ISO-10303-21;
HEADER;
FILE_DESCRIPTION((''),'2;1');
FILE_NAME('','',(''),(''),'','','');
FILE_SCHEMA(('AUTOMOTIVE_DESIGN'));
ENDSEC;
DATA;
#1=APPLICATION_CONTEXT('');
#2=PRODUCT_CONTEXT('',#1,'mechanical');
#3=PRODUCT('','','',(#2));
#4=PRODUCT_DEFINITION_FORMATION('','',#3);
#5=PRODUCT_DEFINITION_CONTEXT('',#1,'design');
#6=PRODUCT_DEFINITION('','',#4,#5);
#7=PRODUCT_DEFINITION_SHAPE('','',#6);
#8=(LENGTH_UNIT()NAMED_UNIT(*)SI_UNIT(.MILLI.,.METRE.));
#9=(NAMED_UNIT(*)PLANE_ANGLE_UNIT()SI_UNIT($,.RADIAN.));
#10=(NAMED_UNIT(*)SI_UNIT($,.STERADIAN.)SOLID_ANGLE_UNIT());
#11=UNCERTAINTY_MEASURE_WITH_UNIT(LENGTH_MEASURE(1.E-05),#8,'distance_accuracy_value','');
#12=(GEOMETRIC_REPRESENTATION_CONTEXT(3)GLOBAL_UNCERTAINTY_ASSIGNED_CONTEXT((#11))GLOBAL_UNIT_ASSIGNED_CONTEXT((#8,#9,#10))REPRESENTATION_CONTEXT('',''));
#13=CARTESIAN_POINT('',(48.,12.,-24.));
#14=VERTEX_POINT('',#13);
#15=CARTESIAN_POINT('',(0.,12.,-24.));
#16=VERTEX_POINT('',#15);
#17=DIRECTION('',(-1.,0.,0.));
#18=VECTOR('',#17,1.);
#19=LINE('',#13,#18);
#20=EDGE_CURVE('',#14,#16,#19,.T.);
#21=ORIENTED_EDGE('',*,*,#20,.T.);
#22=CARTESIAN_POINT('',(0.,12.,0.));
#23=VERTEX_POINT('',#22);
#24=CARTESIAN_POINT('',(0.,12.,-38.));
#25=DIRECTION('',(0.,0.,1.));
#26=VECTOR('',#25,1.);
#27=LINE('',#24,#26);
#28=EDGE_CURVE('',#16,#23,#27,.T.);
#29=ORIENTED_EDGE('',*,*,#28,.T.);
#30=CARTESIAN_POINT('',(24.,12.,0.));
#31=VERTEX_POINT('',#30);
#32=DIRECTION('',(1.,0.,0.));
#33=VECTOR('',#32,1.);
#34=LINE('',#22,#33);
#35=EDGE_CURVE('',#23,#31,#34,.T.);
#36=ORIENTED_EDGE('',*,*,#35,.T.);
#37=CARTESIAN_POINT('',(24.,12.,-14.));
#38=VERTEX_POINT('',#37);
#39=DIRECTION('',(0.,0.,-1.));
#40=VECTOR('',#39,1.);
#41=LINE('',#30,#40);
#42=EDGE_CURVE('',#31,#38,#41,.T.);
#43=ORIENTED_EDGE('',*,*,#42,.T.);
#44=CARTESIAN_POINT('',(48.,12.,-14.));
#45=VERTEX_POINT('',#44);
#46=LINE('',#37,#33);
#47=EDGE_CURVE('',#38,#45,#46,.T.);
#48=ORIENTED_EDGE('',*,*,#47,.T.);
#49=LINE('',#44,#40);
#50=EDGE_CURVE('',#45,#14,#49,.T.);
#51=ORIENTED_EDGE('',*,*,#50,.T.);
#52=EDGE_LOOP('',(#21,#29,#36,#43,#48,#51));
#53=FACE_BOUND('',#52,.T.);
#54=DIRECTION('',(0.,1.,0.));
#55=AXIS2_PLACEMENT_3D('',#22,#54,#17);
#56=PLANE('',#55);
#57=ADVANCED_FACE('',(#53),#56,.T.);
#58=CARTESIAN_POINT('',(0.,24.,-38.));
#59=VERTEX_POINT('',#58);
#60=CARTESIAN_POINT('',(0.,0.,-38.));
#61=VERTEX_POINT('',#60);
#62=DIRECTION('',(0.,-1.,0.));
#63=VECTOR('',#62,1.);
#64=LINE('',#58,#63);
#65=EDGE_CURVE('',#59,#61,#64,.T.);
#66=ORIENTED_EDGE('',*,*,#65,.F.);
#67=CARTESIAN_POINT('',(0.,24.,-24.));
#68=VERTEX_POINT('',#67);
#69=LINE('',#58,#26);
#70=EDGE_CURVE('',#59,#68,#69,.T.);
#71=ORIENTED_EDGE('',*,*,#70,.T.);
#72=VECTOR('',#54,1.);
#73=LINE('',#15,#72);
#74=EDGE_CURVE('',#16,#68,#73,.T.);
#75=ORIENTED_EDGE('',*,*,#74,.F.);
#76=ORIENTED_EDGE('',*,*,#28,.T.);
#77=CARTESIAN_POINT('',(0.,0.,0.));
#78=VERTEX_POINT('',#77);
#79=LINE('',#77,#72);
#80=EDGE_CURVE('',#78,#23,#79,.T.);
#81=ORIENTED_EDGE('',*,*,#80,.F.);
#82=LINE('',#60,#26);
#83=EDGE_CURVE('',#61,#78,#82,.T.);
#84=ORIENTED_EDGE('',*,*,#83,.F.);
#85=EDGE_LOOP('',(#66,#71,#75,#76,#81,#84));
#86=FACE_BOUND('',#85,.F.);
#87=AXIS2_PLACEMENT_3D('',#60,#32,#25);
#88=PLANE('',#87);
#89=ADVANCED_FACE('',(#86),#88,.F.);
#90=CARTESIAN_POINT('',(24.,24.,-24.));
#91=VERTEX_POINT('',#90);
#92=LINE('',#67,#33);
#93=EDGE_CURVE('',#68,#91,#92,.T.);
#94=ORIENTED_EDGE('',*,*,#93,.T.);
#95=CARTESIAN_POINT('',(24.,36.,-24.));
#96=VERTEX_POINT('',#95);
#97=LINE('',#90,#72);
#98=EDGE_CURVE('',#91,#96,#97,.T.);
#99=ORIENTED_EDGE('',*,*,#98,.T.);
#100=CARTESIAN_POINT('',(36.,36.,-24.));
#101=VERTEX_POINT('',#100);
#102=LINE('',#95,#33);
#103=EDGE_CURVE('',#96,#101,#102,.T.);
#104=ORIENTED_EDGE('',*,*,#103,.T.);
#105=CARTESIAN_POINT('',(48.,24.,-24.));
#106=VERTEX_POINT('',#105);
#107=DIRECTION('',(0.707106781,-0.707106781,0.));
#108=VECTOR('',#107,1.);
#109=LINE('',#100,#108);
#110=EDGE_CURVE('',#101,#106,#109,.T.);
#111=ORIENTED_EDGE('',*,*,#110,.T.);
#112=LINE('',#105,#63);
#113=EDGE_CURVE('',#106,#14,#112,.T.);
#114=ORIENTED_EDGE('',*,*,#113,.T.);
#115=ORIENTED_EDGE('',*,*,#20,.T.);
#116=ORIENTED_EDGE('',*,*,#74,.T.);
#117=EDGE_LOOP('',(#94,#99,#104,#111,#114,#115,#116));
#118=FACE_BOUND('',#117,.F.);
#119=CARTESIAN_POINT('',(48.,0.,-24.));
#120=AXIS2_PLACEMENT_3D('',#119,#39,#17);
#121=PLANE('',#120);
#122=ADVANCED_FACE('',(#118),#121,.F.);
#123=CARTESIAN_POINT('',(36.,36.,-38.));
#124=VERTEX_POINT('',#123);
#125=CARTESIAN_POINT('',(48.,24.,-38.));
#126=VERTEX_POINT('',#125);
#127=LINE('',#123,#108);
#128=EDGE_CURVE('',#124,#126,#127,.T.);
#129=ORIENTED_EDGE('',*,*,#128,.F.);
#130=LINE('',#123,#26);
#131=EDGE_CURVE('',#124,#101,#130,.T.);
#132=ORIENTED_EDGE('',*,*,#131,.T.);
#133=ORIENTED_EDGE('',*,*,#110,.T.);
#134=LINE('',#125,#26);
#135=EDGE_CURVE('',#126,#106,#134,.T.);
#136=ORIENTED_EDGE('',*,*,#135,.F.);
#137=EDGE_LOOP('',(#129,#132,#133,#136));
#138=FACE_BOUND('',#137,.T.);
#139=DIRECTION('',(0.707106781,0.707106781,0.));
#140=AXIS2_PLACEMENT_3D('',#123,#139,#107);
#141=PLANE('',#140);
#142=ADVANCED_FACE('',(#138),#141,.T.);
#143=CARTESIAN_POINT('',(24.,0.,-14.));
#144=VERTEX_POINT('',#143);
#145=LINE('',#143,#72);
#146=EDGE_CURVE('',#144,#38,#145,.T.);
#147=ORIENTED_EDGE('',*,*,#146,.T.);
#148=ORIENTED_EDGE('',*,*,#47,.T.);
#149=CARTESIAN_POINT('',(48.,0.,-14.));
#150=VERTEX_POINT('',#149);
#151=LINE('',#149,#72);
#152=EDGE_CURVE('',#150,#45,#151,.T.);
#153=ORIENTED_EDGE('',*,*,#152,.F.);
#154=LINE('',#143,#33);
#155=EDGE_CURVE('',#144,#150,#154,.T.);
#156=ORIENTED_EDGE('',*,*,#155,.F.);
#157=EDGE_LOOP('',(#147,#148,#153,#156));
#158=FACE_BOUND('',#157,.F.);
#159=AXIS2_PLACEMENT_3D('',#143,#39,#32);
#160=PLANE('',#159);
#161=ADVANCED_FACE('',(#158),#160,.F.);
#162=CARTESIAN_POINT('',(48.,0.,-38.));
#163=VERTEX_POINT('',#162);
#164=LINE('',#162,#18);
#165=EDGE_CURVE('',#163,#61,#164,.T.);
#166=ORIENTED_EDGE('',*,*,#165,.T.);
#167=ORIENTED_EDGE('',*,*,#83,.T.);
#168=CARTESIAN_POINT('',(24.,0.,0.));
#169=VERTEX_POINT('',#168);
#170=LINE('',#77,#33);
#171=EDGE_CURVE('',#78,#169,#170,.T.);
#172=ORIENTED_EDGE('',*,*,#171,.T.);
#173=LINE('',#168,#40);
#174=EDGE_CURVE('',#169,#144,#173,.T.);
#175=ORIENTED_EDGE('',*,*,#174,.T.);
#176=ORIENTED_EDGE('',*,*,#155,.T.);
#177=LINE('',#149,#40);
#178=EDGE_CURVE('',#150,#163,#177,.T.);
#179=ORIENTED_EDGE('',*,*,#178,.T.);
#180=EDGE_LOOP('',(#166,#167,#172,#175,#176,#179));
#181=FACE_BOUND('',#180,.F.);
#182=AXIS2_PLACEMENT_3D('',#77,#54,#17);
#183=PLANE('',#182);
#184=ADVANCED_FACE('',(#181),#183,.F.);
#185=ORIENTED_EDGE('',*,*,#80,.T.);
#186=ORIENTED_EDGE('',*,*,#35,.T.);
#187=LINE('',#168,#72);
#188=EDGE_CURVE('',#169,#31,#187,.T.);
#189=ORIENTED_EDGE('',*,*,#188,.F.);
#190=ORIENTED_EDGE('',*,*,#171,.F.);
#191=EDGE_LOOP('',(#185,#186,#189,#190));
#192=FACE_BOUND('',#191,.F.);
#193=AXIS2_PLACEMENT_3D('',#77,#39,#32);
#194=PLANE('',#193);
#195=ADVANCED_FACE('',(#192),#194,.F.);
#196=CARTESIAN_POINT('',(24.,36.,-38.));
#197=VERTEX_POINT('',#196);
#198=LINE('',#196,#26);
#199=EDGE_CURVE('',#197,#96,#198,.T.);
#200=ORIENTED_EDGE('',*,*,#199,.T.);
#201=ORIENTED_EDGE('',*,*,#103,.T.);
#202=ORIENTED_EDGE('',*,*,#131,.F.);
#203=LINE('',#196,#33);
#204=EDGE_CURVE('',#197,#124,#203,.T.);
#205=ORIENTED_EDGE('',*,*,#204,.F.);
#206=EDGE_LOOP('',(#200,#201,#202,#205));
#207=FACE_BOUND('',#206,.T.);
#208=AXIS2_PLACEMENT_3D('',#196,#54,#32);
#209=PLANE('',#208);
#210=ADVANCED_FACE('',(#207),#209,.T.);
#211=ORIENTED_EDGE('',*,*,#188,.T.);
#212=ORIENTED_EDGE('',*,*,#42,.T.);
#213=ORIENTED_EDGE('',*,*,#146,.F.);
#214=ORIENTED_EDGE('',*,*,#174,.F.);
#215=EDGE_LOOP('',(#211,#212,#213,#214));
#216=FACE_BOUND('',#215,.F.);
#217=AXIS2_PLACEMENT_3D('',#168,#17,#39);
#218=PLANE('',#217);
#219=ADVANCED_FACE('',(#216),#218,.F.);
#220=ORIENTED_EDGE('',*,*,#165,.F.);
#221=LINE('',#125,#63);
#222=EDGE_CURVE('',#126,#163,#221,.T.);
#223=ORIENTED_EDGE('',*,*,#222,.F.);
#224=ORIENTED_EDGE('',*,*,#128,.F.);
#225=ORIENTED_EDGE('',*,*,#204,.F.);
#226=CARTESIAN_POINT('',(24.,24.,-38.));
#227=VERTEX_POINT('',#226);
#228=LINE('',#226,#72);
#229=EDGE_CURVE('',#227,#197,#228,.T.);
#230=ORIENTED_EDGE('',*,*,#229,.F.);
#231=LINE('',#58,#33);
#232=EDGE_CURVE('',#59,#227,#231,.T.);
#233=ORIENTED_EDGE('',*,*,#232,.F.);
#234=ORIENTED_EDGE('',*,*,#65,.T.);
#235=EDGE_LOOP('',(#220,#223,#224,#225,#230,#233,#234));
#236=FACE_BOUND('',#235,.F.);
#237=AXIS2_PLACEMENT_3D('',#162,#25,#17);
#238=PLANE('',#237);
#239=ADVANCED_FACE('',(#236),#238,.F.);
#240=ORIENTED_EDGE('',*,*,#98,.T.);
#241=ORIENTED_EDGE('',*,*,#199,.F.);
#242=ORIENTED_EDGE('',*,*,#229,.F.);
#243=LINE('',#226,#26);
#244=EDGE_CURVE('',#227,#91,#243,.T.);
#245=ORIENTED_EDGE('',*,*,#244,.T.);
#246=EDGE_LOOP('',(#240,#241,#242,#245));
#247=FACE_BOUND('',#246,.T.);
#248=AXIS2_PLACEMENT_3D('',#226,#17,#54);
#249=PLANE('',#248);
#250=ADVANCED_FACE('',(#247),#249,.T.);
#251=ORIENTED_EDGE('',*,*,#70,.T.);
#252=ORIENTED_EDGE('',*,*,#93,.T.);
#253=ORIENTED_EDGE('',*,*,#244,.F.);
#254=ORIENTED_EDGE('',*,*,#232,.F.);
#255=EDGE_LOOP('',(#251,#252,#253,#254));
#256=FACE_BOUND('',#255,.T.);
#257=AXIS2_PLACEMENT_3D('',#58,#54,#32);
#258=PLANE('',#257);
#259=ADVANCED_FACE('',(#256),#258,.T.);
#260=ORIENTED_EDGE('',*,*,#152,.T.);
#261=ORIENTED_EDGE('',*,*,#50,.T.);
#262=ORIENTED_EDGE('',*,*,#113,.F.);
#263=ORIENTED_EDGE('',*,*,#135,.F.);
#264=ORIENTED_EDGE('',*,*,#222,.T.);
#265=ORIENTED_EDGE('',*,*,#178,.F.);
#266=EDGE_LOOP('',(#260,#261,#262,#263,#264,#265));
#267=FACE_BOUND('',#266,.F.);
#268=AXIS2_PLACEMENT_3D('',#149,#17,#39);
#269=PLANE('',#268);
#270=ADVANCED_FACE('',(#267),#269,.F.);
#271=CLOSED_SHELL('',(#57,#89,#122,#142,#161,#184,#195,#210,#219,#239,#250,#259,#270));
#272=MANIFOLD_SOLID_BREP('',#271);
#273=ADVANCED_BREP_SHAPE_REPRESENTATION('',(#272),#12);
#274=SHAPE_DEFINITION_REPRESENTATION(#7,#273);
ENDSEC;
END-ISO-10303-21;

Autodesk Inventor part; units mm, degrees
ref_plane "YZ Plane" through (0, 0, 0) normal (1, 0, 0) x (0, 1, 0)
ref_plane "XZ Plane" through (0, 0, 0) normal (0, 1, 0) x (-1, 0, 0)
ref_plane "XY Plane" through (0, 0, 0) normal (0, 0, 1) x (1, 0, 0)
sketch "草圖1" plane through (0, 0, 0) normal (0, 1, 0) x (-1, 0, 0)
  line L0 (0, 0) -> (-24, 0)
  line L1 (-24, 0) -> (-24, -14)
  line L2 (-24, -14) -> (-48, -14)
  line L3 (-48, -14) -> (-48, -38)
  line L4 (-48, -38) -> (0, -38)
  line L5 (0, -38) -> (0, 0)
  dimension "d0" = 24
  dimension "d1" = 14
  dimension "d2" = 38
  dimension "d3" = 48
extrude "擠出1" add sketch "草圖1" along normal blind 12
sketch "草圖2" plane through (48, 0, -38) normal (0, 0, -1) x (-1, 0, 0)
  line L0 (48, 12) -> (24, 12) projected
  line L1 (48, 12) -> (48, 24)
  line L2 (48, 24) -> (24, 24)
  line L3 (24, 24) -> (24, 36)
  line L4 (24, 36) -> (12, 36)
  line L5 (12, 36) -> (0, 24)
  line L6 (24, 12) -> (0, 12) projected
  line L7 (0, 24) -> (0, 12)
  line L8 (0, 12) -> (48, 12)
  point P0 (48, 0)
  dimension "d6" = 12
  dimension "d7" = 24
  dimension "d8" = 12
  dimension "d9" = 12
extrude "擠出2" add sketch "草圖2" against normal blind 14
properties part number "410571040練習一"
